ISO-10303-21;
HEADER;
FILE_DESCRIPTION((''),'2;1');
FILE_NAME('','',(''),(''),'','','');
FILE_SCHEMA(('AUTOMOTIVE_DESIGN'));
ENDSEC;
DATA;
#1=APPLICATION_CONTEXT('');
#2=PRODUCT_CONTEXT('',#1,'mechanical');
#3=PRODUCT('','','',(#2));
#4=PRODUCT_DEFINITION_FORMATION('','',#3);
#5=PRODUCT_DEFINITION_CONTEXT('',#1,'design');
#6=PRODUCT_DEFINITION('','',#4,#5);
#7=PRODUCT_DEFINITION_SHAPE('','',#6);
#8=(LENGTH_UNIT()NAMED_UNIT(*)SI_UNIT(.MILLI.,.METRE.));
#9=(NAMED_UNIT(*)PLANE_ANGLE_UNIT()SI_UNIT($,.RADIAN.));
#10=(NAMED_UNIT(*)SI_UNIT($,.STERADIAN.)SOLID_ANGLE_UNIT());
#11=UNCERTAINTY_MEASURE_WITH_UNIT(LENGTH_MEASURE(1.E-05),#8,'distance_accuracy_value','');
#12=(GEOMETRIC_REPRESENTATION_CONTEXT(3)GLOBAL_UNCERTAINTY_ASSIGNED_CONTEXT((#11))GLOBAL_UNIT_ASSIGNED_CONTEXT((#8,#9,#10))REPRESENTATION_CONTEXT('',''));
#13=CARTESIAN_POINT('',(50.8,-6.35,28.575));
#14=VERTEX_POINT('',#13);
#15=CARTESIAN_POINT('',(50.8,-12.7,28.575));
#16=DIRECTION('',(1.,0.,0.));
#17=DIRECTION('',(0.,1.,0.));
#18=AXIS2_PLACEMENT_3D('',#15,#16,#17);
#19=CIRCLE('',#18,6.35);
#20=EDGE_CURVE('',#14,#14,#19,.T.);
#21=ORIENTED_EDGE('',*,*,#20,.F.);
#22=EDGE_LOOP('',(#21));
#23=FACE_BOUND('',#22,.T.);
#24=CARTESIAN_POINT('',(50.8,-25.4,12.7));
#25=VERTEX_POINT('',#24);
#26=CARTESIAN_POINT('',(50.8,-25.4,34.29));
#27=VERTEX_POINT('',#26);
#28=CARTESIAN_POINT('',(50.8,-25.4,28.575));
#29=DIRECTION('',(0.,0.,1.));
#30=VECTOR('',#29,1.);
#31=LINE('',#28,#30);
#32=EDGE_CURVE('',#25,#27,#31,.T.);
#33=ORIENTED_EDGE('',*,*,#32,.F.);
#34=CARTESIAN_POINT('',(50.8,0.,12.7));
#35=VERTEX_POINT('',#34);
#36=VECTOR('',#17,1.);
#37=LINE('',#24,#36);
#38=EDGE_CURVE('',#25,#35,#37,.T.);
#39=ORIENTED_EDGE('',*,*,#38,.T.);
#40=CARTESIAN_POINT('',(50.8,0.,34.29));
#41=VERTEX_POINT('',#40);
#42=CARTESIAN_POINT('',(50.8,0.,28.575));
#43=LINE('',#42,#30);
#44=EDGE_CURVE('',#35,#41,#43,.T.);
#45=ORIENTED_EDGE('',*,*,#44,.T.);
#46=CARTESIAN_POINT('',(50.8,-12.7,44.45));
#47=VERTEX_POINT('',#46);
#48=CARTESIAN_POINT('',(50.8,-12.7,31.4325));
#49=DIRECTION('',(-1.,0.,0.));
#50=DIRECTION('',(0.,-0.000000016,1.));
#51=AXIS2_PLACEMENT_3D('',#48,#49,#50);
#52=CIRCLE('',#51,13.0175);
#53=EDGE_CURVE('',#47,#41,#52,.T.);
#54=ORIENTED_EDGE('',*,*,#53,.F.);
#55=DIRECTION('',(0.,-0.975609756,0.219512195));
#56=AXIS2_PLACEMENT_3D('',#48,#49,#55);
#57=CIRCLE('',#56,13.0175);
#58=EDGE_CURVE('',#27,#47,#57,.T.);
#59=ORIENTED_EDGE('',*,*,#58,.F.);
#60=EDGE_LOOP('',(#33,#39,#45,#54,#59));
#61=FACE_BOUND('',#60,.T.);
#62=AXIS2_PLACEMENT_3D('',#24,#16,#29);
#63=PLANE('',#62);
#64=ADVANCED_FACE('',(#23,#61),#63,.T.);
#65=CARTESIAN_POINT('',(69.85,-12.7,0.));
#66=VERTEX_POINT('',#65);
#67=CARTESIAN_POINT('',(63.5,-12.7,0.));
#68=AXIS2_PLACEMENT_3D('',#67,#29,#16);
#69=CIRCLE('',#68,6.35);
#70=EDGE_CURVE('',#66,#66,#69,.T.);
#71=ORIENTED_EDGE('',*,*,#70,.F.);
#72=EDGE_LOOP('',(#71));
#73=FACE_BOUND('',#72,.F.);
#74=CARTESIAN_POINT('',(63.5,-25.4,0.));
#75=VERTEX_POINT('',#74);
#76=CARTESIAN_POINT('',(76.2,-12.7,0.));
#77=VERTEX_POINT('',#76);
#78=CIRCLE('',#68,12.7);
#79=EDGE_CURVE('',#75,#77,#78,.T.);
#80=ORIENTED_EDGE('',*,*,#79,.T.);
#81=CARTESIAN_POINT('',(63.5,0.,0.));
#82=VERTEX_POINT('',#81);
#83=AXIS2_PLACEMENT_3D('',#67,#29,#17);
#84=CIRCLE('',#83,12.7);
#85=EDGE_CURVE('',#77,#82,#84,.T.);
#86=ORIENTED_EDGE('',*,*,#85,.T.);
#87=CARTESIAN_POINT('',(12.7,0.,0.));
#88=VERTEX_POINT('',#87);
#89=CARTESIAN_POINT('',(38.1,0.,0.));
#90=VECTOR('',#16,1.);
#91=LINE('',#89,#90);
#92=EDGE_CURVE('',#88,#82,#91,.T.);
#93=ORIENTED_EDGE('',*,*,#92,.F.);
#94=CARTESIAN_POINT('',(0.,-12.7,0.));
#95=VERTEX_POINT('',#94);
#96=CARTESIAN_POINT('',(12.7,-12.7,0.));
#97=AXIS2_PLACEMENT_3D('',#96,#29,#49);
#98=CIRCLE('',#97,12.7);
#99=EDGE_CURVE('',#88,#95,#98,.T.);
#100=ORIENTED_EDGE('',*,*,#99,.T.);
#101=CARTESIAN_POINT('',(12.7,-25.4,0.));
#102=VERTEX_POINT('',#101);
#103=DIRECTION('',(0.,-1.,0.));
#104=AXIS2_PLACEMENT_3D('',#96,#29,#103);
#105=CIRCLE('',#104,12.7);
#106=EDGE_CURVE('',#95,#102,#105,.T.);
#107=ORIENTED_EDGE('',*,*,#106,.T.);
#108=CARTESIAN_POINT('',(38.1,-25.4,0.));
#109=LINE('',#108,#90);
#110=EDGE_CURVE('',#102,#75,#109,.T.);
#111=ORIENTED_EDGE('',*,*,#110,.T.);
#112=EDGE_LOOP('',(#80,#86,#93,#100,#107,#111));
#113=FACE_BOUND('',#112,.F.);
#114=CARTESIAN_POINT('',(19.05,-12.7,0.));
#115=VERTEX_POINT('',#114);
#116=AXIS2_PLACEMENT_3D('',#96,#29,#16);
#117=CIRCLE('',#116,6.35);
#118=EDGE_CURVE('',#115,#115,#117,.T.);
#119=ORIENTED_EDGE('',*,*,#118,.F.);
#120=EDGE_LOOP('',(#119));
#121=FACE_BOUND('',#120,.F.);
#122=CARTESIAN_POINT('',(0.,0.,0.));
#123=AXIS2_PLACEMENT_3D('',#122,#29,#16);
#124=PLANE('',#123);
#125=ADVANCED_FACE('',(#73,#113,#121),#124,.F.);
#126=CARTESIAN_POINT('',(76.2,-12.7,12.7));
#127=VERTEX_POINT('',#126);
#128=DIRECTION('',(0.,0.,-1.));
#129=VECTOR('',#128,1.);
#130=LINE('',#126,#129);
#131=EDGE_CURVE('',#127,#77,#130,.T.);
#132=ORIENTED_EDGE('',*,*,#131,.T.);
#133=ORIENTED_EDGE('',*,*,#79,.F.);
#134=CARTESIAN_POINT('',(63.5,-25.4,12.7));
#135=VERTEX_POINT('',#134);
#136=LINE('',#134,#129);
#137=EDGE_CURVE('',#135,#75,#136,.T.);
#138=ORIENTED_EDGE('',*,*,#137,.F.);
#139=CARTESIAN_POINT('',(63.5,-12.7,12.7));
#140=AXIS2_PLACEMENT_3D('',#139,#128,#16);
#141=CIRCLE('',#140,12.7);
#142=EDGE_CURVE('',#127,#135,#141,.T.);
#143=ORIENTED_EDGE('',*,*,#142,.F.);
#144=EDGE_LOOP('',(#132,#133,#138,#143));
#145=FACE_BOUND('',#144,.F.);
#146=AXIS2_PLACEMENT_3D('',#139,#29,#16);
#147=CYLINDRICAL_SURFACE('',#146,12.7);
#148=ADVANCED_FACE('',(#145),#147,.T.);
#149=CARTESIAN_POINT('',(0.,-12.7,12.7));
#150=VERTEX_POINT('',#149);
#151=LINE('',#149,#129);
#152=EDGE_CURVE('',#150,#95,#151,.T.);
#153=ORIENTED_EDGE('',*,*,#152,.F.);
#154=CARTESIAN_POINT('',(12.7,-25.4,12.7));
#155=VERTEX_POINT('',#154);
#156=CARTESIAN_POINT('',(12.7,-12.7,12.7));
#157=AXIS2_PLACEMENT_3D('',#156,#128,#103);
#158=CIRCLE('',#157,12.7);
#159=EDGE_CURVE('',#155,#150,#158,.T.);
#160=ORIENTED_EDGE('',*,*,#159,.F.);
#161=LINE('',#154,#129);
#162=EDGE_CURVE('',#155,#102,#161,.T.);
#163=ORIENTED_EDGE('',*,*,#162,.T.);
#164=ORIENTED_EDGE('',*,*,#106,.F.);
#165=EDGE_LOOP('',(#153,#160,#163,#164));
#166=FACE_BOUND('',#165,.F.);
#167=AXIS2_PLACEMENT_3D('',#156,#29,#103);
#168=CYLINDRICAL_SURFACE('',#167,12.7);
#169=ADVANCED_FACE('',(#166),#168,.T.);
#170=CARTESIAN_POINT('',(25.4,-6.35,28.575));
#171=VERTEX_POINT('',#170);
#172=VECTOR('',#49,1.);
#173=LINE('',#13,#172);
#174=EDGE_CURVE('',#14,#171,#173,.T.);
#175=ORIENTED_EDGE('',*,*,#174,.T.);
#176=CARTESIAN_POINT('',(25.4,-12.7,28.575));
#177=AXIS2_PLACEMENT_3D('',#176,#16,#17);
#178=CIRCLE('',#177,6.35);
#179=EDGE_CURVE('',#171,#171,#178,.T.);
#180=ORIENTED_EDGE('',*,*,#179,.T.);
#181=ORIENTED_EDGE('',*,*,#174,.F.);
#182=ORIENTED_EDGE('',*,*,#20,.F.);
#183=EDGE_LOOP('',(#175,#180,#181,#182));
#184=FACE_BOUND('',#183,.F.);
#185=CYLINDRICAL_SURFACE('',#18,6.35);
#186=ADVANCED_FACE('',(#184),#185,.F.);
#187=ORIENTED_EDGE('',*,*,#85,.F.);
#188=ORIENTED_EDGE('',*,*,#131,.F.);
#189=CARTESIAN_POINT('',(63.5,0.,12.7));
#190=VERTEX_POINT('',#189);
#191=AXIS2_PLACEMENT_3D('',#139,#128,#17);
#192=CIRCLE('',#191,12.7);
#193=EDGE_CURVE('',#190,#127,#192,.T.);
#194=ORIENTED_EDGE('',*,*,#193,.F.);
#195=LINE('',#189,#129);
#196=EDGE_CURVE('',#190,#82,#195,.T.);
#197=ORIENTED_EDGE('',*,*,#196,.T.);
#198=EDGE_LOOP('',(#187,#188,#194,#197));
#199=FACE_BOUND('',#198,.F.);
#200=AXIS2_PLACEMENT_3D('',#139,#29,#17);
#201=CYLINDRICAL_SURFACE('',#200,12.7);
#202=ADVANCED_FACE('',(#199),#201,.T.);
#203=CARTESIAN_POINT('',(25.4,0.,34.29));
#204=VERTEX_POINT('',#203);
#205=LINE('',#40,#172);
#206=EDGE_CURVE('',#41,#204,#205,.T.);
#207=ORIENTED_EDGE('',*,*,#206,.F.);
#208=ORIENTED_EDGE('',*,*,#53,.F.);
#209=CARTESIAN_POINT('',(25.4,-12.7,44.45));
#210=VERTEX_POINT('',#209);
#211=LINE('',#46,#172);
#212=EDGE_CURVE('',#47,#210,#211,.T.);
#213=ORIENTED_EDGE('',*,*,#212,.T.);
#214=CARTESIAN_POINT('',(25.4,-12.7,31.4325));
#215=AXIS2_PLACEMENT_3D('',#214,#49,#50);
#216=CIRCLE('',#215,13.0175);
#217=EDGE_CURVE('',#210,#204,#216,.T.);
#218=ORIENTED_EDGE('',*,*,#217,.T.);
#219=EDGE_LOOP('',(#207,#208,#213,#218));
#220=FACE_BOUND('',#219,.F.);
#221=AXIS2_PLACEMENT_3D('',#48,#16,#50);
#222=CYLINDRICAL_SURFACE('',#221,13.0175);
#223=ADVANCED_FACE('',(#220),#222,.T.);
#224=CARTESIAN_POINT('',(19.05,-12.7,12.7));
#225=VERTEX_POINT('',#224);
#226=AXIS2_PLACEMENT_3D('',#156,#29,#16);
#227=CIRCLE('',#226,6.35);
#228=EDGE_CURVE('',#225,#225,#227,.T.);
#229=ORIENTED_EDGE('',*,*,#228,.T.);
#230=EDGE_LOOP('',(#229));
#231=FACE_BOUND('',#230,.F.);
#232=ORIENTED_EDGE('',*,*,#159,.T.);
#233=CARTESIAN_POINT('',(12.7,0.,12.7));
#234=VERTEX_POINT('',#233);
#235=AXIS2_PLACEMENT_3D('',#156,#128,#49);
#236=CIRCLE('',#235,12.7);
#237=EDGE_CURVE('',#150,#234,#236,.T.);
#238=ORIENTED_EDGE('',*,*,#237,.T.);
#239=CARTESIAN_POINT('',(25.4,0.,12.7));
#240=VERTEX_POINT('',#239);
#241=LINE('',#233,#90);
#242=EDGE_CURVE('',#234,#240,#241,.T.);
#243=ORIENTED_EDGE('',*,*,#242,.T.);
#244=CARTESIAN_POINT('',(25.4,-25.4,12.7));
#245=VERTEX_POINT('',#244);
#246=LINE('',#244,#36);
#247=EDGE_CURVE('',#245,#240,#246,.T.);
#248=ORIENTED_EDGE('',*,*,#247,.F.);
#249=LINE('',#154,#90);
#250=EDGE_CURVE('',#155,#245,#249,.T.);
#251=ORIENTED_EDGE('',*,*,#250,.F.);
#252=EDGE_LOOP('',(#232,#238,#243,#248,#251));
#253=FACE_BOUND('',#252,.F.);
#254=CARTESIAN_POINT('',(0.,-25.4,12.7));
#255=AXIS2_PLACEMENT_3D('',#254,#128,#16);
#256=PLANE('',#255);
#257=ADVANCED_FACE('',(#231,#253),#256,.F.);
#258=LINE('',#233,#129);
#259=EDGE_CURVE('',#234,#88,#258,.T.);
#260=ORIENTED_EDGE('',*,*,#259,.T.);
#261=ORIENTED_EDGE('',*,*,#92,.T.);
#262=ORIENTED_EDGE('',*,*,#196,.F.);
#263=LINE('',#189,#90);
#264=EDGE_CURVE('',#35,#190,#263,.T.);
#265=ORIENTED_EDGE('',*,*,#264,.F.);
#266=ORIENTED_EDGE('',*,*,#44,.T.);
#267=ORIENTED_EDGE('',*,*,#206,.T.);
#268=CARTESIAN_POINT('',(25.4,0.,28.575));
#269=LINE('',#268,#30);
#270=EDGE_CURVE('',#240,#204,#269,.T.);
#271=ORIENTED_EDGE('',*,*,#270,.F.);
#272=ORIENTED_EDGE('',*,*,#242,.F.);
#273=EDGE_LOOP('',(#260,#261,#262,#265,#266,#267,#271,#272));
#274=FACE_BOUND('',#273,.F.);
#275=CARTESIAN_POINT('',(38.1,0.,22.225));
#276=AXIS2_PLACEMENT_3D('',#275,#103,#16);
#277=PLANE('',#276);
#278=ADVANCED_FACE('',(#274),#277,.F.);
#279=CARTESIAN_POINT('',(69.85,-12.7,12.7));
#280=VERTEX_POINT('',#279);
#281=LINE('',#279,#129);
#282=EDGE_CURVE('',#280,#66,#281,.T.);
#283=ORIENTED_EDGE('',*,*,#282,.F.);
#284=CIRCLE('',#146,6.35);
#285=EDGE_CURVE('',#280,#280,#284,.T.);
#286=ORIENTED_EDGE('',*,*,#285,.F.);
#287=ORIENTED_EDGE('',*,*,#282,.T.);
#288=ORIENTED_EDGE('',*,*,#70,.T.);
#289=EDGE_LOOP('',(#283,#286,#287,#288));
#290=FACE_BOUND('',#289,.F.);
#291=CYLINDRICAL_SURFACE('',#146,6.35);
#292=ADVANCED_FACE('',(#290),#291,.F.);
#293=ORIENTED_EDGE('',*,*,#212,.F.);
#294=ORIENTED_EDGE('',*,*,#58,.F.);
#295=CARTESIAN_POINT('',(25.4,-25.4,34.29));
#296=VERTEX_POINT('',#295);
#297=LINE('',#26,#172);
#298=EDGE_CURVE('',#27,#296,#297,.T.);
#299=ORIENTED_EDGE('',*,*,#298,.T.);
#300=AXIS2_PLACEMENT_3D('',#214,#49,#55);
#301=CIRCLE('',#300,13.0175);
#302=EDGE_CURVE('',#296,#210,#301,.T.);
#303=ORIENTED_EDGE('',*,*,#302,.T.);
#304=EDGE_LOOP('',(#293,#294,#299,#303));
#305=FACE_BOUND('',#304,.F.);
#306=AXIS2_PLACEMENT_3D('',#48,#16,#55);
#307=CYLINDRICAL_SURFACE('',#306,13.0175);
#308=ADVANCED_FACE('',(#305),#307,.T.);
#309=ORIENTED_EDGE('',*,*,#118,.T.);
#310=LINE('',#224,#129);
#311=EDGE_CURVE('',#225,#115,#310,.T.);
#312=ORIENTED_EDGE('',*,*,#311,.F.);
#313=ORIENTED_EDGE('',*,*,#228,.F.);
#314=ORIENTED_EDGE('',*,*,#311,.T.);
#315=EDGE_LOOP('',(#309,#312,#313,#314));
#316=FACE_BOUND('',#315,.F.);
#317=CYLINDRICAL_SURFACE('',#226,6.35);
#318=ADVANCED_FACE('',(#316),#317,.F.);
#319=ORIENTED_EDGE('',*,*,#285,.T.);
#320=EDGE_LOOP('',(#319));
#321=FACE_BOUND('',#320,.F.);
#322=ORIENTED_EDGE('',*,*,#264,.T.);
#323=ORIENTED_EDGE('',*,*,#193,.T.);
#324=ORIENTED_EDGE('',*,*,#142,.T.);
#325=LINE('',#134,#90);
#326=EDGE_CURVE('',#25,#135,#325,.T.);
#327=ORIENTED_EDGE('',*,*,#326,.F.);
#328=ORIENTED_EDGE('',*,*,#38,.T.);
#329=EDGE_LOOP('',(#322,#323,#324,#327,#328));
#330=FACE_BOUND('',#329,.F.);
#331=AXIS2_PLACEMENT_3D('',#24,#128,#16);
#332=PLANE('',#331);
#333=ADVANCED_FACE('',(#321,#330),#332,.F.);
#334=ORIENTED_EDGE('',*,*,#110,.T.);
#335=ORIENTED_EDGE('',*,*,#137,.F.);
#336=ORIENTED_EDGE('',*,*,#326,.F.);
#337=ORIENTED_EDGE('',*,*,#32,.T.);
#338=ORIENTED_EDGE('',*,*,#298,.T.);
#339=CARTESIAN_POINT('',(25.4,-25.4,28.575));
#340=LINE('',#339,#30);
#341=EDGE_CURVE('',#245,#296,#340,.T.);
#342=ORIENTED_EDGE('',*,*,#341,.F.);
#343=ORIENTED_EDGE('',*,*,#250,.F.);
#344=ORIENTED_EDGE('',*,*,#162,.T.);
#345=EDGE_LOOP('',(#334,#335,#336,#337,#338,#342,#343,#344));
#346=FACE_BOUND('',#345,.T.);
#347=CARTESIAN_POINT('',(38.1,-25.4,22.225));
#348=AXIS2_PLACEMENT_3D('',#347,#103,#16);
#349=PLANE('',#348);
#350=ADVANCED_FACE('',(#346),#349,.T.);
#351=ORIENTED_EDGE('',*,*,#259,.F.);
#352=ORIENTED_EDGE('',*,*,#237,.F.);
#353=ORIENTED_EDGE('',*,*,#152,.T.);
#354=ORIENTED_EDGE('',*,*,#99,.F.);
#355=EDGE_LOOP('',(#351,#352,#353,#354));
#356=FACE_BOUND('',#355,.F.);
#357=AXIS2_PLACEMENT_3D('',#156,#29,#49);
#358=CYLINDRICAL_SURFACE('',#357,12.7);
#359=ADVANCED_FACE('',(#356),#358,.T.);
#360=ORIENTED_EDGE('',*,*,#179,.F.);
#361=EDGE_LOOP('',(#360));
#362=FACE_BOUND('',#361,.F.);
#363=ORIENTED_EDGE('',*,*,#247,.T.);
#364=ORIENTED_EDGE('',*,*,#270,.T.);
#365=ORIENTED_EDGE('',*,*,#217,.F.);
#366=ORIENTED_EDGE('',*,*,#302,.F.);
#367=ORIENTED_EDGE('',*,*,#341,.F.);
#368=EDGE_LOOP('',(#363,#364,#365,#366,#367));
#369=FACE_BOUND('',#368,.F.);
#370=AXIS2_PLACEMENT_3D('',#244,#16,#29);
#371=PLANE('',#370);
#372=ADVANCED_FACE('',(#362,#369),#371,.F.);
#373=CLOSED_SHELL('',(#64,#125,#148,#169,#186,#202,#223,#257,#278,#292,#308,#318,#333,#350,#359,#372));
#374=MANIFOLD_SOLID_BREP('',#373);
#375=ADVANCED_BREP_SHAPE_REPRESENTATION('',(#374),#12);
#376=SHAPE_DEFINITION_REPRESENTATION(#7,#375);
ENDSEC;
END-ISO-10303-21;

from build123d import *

# Parameters (mm, degrees)
F0_W     = 76.2
F0_H     = 44.45
F1_DEPTH = 25.4
F2_W     = 25.4
F2_H     = 31.75
F3_DEPTH = 25.4
F4_R     = 6.35
F5_DEPTH = 25.4
F6_R     = 6.35
F7_DEPTH = 25.4
F8_R     = 6.35
F9_DEPTH = 25.4


with BuildPart() as f1:
    # F0 (on Front) → F1 (new body)
    with BuildSketch(Plane.XZ):
        with Locations((38.1, 22.225)):
            Rectangle(F0_W, F0_H)
    extrude(amount=F1_DEPTH)

    # F2 (on face) → F3 (cut)
    with BuildSketch(Plane.XZ.offset(25.4)):
        with Locations((12.7, 28.575)):
            Rectangle(F2_W, F2_H)
        with Locations((63.5, 28.575)):
            Rectangle(F2_W, F2_H)
    extrude(amount=-F3_DEPTH, mode=Mode.SUBTRACT)

    # F4 (on face) → F5 (cut)
    with BuildSketch(Plane.YZ.offset(50.8)):
        with Locations((-12.7, 28.575)):
            Circle(F4_R)
        with BuildLine():
            ThreePointArc((-12.7000002087, 44.45), (-4.5680322999, 41.5974597921), (0, 34.29))
            Line((0, 34.29), (0, 44.45))
            Line((0, 44.45), (-12.7000002087, 44.45))
        make_face()
        with BuildLine():
            ThreePointArc((-25.4, 34.29), (-20.831967863, 41.5974596617), (-12.7000002087, 44.45))
            Line((-12.7000002087, 44.45), (-25.4, 44.45))
            Line((-25.4, 44.45), (-25.4, 34.29))
        make_face()
    extrude(amount=-F5_DEPTH, mode=Mode.SUBTRACT)

    # F6 (on face) → F7 (cut)
    with BuildSketch(Plane.XY.offset(12.7)):
        with Locations((63.5, -12.7)):
            Circle(F6_R)
        with BuildLine():
            ThreePointArc((63.5, 0), (72.4802561211, -3.7197438789), (76.2, -12.7))
            Line((76.2, -12.7), (76.2, 0))
            Line((76.2, 0), (63.5, 0))
        make_face()
        with BuildLine():
            ThreePointArc((76.2, -12.7), (72.4802561211, -21.6802561211), (63.5, -25.4))
            Line((63.5, -25.4), (76.2, -25.4))
            Line((76.2, -25.4), (76.2, -12.7))
        make_face()
    extrude(amount=-F7_DEPTH, mode=Mode.SUBTRACT)

    # F8 (on face) → F9 (cut)
    with BuildSketch(Plane.XY.offset(12.7)):
        with BuildLine():
            ThreePointArc((0, -12.7), (3.7197438789, -3.7197438789), (12.7, 0))
            Line((12.7, 0), (0, 0))
            Line((0, 0), (0, -12.7))
        make_face()
        with Locations((12.7, -12.7)):
            Circle(F8_R)
        with BuildLine():
            ThreePointArc((12.7, -25.4), (3.7197438789, -21.6802561211), (0, -12.7))
            Line((0, -12.7), (0, -25.4))
            Line((0, -25.4), (12.7, -25.4))
        make_face()
    extrude(amount=-F9_DEPTH, mode=Mode.SUBTRACT)


solid = f1.part
